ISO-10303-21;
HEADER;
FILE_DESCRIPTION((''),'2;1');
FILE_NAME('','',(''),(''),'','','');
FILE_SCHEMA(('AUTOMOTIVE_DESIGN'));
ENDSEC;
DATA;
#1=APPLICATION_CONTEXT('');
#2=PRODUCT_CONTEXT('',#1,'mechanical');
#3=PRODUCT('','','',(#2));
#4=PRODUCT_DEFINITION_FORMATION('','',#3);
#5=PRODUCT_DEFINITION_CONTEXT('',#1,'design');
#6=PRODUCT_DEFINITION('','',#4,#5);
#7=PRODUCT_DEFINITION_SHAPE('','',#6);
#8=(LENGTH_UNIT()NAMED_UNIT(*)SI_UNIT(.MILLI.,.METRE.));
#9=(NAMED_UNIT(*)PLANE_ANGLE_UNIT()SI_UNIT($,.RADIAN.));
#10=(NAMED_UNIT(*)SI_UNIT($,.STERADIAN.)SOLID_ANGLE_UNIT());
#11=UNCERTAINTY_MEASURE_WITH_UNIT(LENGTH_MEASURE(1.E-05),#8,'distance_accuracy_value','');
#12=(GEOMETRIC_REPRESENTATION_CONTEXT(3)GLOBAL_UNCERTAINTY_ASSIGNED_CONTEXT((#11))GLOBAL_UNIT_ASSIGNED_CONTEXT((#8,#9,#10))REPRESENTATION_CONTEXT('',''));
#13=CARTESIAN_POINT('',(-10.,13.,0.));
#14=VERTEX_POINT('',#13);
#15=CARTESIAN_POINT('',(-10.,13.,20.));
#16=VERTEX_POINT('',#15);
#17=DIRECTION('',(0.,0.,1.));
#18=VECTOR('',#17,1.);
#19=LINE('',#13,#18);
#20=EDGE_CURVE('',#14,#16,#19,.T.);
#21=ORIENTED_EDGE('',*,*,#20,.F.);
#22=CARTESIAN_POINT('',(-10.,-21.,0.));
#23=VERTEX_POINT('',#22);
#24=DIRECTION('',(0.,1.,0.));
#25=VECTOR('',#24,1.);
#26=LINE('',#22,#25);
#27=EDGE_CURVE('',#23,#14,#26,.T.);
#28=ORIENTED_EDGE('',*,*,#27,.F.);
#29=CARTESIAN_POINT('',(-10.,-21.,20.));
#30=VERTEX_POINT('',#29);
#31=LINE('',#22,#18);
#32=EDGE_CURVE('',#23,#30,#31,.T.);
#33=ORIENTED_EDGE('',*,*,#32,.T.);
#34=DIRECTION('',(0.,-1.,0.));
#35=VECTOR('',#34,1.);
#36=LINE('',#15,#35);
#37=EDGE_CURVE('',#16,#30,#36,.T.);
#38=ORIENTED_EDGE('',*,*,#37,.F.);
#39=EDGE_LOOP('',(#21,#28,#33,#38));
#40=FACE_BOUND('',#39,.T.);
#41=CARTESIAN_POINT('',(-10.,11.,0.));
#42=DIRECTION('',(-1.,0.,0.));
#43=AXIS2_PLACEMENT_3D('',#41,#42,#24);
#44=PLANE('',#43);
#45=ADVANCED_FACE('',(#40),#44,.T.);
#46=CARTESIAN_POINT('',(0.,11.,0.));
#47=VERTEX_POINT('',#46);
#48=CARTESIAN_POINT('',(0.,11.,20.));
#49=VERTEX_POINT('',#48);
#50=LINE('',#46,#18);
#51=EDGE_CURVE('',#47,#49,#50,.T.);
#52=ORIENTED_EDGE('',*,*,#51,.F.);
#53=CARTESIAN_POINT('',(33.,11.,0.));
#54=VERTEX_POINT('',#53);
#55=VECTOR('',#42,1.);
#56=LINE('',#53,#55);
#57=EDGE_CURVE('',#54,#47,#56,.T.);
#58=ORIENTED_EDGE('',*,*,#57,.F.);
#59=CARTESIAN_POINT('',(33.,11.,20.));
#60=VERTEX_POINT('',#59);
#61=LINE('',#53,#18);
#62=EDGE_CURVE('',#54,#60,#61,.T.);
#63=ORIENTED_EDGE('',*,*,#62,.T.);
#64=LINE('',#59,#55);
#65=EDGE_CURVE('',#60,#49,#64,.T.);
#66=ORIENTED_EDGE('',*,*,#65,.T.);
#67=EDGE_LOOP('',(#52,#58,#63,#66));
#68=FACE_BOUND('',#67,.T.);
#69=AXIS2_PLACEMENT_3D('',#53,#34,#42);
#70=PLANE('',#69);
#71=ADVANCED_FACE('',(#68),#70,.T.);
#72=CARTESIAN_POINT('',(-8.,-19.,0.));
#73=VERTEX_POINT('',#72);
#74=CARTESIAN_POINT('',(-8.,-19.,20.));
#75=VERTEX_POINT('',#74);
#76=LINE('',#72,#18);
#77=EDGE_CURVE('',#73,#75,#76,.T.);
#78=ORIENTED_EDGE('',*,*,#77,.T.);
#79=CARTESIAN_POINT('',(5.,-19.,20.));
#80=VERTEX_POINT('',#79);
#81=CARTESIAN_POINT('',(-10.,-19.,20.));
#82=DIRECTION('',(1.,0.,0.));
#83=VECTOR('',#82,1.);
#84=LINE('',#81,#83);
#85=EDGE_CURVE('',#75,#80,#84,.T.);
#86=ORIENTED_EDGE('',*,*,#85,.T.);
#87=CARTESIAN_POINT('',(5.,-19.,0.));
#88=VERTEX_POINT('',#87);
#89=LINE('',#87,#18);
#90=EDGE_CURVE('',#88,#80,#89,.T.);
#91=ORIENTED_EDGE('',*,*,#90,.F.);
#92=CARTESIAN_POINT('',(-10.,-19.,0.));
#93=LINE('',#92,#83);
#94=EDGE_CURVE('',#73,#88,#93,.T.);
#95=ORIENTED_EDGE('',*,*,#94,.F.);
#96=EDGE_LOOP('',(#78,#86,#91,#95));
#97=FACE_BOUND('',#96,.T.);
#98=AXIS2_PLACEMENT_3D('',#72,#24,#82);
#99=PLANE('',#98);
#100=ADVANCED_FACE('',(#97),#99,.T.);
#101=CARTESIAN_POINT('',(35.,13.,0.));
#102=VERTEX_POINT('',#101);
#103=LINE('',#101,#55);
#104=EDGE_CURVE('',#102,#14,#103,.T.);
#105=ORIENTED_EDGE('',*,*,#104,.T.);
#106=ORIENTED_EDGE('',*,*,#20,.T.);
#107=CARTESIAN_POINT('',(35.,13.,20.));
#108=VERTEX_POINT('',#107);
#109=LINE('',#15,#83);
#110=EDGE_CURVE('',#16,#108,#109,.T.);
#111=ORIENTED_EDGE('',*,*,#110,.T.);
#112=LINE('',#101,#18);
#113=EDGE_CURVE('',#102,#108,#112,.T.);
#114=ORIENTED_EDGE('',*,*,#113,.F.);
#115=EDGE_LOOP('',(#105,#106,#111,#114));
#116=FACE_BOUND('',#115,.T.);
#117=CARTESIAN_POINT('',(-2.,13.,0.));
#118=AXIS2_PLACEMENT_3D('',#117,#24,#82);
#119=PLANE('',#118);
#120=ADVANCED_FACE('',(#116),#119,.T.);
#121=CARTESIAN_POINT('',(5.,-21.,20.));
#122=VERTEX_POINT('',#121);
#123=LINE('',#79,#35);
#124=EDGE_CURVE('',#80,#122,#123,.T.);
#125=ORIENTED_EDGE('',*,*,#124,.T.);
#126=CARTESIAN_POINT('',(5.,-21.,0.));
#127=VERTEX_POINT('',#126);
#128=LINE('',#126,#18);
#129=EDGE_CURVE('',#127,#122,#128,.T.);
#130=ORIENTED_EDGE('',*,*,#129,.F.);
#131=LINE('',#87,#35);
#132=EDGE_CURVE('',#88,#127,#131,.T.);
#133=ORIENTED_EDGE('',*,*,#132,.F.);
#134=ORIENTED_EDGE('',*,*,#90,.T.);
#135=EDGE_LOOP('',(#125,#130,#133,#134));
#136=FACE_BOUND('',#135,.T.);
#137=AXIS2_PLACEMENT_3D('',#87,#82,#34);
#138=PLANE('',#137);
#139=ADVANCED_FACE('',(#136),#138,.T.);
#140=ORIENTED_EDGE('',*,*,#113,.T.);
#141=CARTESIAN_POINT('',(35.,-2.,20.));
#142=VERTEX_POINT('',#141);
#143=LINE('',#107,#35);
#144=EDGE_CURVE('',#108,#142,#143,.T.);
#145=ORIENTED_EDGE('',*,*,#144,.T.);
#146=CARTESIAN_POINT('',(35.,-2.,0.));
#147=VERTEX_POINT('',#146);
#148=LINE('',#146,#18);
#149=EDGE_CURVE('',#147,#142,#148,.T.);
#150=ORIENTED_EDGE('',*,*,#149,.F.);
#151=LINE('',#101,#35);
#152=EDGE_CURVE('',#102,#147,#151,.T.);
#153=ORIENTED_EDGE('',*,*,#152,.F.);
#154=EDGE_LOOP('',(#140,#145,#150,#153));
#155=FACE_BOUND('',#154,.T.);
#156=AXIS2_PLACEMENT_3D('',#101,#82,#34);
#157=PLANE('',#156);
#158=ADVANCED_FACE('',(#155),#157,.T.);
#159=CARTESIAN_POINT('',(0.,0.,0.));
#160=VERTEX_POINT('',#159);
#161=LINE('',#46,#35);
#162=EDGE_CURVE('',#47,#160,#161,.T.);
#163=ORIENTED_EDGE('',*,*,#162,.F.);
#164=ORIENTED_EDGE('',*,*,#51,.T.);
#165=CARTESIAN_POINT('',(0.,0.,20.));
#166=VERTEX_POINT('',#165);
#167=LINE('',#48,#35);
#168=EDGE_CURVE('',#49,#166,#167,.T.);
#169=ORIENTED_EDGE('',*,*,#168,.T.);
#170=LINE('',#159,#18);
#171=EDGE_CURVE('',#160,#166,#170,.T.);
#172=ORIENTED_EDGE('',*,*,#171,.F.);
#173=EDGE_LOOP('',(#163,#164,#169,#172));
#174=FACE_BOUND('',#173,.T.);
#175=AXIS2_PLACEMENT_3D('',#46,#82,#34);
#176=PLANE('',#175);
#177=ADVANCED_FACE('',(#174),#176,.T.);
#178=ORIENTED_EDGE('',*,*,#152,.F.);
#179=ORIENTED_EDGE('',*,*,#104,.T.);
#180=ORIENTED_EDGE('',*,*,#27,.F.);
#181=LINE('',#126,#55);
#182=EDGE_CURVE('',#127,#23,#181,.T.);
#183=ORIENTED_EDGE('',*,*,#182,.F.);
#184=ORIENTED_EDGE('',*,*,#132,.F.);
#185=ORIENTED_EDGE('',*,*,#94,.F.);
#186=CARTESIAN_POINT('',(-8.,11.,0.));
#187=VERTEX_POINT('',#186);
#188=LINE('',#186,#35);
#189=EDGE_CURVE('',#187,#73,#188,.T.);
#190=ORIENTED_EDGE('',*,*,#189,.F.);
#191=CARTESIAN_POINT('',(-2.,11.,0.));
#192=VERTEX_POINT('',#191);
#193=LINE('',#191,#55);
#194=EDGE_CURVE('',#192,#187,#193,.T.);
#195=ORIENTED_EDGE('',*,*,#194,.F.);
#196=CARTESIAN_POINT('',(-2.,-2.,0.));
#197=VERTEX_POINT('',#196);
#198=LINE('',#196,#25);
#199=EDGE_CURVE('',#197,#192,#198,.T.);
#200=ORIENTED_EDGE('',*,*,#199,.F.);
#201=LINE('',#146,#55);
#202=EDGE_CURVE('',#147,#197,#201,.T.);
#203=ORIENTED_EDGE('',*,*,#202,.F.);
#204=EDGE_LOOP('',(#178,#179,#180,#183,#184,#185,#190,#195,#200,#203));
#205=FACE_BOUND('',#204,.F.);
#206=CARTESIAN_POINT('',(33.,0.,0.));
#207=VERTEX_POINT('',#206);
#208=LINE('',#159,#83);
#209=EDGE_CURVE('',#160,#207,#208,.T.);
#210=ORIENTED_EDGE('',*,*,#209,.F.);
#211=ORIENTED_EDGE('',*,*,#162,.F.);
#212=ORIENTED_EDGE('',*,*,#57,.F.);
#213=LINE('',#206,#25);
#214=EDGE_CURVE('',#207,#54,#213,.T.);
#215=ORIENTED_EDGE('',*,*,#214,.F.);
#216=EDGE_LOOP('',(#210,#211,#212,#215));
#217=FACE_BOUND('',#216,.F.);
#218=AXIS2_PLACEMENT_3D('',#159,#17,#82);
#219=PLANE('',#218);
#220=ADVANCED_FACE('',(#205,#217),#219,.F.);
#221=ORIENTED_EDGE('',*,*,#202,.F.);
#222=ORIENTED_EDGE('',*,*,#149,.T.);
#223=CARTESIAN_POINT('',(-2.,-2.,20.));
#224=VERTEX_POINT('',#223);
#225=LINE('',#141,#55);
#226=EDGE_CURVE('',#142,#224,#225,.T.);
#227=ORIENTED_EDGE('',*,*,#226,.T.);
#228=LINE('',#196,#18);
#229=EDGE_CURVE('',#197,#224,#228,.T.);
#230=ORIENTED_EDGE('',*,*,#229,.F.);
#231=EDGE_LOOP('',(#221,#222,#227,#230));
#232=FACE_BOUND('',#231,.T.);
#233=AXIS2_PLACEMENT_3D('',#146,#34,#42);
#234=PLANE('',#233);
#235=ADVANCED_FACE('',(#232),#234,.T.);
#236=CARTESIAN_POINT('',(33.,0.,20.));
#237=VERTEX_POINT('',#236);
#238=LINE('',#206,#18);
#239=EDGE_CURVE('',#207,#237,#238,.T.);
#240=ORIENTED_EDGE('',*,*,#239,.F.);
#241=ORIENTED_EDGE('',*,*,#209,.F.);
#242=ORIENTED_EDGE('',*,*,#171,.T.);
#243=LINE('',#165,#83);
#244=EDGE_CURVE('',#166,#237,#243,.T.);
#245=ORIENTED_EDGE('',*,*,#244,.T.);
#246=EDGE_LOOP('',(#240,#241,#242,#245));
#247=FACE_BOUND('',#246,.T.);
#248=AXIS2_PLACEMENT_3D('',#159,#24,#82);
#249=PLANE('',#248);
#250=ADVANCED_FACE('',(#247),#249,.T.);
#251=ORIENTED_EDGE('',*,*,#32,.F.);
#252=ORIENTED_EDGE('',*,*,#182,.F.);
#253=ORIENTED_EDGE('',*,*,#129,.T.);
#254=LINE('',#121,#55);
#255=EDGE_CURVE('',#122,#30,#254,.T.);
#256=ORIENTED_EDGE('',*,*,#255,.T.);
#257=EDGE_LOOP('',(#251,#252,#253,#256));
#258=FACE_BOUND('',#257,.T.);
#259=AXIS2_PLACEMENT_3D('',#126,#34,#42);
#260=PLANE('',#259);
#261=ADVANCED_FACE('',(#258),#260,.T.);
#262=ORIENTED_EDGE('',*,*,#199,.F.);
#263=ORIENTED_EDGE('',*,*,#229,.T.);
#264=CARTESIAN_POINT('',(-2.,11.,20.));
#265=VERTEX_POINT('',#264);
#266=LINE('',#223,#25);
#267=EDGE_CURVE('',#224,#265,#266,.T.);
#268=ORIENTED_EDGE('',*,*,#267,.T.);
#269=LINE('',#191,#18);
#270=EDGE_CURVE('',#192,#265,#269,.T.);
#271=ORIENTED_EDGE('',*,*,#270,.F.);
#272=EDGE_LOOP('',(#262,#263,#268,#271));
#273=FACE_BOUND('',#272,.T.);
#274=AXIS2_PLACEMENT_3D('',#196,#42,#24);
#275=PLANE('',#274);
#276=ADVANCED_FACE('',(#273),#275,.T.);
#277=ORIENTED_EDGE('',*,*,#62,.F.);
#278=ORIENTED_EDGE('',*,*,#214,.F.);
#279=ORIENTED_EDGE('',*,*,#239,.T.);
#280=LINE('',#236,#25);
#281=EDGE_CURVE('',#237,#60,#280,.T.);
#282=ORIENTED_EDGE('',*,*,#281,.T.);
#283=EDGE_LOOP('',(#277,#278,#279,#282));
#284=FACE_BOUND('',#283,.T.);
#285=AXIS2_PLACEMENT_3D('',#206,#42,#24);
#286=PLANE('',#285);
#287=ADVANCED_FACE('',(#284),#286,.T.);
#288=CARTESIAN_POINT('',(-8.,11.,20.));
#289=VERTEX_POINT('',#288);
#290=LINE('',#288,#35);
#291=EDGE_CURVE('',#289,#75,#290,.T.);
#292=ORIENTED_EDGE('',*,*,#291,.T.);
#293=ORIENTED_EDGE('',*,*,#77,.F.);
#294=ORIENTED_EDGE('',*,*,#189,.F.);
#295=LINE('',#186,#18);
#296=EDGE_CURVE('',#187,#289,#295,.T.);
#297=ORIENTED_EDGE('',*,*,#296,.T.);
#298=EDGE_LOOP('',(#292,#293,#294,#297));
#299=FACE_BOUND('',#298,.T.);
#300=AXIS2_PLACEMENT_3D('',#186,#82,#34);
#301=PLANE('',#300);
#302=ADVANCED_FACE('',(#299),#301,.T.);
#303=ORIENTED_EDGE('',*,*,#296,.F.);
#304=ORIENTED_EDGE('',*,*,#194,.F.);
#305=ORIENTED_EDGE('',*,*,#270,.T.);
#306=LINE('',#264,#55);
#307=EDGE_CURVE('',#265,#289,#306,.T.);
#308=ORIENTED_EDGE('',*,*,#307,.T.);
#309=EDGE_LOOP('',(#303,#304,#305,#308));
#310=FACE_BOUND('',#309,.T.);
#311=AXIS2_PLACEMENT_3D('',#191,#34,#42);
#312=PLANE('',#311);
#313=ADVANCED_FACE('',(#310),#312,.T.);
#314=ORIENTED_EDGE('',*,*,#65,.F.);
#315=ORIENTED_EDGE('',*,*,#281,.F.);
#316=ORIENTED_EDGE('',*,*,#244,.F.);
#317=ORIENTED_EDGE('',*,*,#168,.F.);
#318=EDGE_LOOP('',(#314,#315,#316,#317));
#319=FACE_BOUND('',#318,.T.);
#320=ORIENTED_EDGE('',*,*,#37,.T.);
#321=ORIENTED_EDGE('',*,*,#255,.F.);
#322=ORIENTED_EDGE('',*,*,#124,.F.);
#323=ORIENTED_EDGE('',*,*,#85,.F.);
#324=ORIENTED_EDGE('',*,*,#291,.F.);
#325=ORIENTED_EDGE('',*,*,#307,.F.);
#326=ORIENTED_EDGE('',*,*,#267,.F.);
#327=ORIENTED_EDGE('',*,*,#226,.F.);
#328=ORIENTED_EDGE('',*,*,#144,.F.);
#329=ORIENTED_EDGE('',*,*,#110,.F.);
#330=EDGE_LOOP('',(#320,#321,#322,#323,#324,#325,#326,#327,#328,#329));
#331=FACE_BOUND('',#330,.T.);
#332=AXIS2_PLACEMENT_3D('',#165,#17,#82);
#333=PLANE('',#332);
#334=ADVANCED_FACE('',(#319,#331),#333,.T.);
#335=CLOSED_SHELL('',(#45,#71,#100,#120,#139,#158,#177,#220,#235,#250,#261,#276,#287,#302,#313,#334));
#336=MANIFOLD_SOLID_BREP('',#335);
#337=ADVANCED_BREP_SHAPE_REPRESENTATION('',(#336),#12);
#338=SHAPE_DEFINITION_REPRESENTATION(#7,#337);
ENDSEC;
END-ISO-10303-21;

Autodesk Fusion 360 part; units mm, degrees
sketch "Sketch1" plane through (0, 0, 0) normal (0, 0, 1) x (1, 0, 0)
  line L0 (0, 0) -> (33, 0)
  line L1 (33, 0) -> (33, 11)
  line L2 (33, 11) -> (0, 11)
  line L3 (0, 11) -> (0, 0)
  line L4 (-2, 13) -> (35, 13)
  line L5 (35, 13) -> (35, -2)
  line L6 (35, -2) -> (-2, -2)
  line L7 (-2, -2) -> (-2, 13)
  line L8 (-2, 11) -> (-10, 11)
  line L9 (-10, 11) -> (-10, 13)
  line L10 (-10, 13) -> (-2, 13)
  line L11 (-2, 13) -> (-2, 11)
  line L12 (-10, 11) -> (-8, 11)
  line L13 (-8, 11) -> (-8, -19)
  line L14 (-8, -19) -> (-10, -19)
  line L15 (-10, -19) -> (-10, 11)
  line L16 (-10, -19) -> (5, -19)
  line L17 (5, -19) -> (5, -21)
  line L18 (5, -21) -> (-10, -21)
  line L19 (-10, -21) -> (-10, -19)
  dimension "d1" = 33
  dimension "d2" = 11
  dimension "d3" = 8
  dimension "d4" = 2
  dimension "d5" = 30
  dimension "d6" = 15
  dimension "d7" = 2
extrude "Extrude1" add sketch "Sketch1" along normal blind 20
